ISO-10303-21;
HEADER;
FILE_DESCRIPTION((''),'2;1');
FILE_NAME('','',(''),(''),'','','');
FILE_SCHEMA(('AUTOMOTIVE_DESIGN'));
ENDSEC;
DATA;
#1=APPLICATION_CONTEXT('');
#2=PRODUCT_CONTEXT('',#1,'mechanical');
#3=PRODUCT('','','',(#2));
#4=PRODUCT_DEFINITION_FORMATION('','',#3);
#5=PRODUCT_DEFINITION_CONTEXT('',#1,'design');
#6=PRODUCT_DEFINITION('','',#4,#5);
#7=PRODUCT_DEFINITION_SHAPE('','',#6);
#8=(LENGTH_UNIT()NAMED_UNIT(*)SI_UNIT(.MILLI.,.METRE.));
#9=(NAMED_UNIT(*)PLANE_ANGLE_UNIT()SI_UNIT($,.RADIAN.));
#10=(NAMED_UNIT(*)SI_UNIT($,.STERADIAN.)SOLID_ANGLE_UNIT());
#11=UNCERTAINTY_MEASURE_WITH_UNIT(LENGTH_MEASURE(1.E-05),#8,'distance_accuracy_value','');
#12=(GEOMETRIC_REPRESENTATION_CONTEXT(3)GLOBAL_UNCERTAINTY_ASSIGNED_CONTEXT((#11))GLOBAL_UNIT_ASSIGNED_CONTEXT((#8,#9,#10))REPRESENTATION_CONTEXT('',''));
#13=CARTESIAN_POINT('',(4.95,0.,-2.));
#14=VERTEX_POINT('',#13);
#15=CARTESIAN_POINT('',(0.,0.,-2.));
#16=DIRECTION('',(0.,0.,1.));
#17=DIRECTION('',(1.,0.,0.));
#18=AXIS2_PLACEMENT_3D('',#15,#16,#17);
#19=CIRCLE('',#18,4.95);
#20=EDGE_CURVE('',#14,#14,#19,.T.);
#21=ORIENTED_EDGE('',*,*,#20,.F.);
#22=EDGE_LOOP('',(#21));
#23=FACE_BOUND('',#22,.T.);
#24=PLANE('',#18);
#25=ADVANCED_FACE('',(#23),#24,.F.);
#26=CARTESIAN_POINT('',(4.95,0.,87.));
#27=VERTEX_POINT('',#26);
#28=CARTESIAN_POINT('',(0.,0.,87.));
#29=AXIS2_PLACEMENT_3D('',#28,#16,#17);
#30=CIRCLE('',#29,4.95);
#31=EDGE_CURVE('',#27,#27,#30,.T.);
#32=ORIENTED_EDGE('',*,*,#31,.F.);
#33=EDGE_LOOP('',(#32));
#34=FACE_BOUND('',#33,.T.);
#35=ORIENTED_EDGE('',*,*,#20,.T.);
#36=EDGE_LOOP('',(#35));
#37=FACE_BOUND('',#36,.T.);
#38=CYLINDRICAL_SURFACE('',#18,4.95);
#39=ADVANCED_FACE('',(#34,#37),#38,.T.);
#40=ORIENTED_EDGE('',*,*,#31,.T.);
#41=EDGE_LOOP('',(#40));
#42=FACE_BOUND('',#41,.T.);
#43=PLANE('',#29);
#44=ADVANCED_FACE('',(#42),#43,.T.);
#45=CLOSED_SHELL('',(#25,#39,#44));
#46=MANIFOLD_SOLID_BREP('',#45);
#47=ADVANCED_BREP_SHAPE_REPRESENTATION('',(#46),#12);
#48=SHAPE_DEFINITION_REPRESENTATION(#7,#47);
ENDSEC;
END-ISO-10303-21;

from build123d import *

# Parameters (mm, degrees)
BOSS_EXTRUDE1_DEPTH      = 87
BOSS_EXTRUDE1_DEPTH_BACK = 2
SKETCH1_R                = 4.95


with BuildPart() as part:
    # Sketch1 → Boss-Extrude1 (new, two sides: drawn at the far end of the back side and taken through both)
    with BuildSketch(Plane.XY.offset(-BOSS_EXTRUDE1_DEPTH_BACK)):
        Circle(SKETCH1_R)
    extrude(amount=BOSS_EXTRUDE1_DEPTH + BOSS_EXTRUDE1_DEPTH_BACK)


solid = part.part
